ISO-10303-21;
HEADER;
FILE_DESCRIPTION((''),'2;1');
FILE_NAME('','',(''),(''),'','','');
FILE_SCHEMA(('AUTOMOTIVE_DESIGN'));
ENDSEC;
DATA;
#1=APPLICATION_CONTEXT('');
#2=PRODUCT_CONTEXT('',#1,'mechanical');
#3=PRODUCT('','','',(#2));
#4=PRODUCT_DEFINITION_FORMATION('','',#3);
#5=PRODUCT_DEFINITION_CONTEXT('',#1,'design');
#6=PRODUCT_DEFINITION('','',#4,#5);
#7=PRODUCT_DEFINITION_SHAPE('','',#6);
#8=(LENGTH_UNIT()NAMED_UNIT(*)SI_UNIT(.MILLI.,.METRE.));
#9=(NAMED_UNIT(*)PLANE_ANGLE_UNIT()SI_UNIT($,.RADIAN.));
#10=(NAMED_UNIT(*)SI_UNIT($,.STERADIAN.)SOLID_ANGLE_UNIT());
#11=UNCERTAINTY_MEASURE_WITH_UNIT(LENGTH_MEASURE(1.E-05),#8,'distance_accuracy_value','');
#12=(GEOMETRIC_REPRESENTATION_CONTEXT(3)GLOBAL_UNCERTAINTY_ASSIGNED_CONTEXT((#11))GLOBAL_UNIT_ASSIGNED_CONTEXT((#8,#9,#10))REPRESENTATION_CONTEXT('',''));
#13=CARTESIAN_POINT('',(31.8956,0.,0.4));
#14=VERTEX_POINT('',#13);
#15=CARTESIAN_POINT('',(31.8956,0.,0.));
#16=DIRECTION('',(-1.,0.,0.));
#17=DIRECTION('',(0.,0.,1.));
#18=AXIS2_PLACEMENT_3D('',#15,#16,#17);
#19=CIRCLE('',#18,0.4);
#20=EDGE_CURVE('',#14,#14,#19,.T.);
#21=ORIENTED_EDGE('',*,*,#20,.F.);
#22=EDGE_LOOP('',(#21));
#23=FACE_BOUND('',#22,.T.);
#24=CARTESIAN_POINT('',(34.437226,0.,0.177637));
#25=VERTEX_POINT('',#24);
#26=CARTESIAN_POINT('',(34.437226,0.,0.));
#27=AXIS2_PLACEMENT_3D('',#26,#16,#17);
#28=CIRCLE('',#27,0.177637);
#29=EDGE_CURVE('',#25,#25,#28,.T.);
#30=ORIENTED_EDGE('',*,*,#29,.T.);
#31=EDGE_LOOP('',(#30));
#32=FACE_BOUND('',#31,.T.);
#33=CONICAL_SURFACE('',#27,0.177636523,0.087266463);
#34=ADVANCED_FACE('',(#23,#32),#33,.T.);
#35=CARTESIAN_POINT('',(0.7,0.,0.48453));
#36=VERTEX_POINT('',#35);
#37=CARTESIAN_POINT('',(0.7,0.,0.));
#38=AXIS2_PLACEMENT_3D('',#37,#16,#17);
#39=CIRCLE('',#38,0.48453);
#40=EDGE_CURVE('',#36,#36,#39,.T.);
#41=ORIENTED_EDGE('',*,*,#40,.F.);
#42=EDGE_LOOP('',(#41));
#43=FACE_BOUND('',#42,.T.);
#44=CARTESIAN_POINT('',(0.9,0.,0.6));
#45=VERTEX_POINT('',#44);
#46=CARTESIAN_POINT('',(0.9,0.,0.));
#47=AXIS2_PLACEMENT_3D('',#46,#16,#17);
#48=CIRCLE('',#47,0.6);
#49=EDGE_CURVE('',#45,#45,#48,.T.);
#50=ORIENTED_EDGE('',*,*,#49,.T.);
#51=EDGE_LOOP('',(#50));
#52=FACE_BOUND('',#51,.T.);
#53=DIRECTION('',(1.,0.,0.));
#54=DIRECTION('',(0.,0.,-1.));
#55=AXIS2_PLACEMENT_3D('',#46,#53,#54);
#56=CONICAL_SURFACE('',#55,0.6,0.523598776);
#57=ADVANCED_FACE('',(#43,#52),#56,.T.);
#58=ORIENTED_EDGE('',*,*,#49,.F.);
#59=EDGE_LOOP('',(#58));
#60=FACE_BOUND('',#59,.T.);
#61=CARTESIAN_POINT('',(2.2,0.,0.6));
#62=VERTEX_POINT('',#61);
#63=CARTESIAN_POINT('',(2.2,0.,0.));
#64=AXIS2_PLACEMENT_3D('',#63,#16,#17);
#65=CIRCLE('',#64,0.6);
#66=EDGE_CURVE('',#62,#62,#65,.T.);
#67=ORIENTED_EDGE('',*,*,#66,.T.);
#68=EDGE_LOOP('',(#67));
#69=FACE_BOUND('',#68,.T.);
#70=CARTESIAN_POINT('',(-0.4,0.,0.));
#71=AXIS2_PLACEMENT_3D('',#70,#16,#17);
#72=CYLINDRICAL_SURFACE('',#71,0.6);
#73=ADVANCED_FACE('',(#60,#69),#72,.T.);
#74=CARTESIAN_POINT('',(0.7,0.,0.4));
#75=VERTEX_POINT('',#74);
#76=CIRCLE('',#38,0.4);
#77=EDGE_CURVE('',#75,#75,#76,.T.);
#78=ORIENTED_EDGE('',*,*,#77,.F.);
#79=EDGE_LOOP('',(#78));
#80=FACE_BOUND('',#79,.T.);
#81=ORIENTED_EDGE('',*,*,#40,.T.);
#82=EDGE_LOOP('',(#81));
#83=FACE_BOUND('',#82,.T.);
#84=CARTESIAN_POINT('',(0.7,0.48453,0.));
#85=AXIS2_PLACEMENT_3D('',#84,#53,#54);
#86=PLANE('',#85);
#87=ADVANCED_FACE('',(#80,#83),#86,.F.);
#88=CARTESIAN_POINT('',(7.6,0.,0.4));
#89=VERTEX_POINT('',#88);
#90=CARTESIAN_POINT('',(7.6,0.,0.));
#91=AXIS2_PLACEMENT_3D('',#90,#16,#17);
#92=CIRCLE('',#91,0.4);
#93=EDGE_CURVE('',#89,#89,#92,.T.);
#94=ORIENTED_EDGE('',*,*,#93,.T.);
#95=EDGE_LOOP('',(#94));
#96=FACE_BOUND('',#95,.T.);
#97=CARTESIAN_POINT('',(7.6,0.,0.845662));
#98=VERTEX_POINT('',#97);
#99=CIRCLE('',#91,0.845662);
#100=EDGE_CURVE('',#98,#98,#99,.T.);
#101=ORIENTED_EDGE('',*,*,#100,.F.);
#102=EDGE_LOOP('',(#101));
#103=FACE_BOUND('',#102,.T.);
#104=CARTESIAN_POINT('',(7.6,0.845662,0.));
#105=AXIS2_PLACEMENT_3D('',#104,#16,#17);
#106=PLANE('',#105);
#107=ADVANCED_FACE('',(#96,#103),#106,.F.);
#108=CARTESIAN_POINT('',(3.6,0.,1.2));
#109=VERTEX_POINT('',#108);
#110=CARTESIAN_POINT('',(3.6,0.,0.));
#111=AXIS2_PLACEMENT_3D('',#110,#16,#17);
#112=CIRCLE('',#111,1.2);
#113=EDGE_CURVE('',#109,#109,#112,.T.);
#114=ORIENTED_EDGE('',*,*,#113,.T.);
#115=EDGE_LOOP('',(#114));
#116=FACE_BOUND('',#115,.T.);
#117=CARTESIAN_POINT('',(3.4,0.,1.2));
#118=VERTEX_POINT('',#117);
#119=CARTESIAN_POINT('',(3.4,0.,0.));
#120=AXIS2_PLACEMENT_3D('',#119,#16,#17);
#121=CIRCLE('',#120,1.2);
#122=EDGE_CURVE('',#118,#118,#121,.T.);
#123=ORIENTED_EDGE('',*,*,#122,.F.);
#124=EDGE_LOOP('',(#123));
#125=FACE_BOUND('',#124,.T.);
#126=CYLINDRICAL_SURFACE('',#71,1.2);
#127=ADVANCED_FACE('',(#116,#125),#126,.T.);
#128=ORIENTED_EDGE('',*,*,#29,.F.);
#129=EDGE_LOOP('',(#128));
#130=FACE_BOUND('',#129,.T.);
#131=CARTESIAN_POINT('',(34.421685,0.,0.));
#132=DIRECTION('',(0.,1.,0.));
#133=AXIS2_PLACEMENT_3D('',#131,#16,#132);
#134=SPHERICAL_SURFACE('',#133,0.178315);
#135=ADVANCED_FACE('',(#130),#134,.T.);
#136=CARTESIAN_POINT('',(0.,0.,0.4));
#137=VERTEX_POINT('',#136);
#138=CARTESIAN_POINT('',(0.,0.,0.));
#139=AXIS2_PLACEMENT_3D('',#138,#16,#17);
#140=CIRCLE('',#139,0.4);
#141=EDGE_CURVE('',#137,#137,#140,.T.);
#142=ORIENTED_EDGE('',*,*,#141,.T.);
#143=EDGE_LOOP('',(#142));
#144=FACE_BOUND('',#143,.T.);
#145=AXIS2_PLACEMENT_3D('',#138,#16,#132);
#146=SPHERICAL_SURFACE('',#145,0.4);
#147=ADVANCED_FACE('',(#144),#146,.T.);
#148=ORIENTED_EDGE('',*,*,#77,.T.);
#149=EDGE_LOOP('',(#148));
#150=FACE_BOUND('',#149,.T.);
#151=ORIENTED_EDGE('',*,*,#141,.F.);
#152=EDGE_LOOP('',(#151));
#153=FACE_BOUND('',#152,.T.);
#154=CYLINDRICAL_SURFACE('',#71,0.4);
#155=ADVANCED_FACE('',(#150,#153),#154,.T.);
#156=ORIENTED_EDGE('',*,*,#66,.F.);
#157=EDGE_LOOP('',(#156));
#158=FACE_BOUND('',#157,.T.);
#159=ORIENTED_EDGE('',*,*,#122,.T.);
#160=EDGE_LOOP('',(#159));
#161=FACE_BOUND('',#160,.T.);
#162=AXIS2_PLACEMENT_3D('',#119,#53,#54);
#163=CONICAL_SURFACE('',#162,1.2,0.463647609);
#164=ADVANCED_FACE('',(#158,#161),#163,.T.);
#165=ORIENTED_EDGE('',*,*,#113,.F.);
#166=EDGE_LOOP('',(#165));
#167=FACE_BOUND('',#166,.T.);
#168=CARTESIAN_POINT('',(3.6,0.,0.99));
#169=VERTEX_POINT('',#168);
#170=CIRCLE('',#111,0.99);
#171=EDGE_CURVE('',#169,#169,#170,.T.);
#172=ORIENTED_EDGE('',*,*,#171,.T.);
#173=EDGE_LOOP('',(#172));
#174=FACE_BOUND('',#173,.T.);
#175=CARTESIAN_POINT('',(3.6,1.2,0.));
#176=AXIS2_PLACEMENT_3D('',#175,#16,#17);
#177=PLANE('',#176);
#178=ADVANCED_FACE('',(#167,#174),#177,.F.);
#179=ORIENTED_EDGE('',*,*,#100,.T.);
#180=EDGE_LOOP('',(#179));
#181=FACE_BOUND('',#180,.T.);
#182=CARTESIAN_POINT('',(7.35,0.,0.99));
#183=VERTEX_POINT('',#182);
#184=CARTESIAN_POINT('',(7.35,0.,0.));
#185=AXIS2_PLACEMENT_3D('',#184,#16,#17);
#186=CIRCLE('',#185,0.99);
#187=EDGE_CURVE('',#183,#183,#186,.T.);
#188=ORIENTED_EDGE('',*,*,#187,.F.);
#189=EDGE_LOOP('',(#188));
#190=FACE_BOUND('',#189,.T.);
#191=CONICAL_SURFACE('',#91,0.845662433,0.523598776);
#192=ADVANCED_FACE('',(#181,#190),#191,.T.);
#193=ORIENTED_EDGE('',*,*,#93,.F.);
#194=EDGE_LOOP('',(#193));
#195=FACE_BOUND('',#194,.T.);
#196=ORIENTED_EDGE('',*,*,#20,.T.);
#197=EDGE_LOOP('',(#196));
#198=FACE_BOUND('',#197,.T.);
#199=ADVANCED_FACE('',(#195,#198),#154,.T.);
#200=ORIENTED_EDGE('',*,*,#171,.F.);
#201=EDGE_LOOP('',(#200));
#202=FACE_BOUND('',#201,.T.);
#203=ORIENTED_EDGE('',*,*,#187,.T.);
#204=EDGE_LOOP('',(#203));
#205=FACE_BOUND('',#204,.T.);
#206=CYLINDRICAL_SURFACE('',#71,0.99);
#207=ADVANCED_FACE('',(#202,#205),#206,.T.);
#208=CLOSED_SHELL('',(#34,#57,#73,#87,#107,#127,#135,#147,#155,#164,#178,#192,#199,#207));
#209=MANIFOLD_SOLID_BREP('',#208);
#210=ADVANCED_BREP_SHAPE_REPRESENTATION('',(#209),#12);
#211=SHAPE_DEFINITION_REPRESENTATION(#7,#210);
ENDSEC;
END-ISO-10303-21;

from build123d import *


with BuildPart() as part:
    # Esboço1 → Revolução1 (revolve)
    with BuildSketch(Plane.XY, mode=Mode.PRIVATE) as revolu_o1_sk:
        with BuildLine():
            Line((0, 0.4), (0.7, 0.4))
            Line((0.7, 0.4), (0.7, 0.484529946))
            Line((0.7, 0.484529946), (0.9, 0.6))
            Line((0.9, 0.6), (2.2, 0.6))
            Line((2.2, 0.6), (3.4, 1.2))
            Line((3.4, 1.2), (3.6, 1.2))
            Line((3.6, 1.2), (3.6, 0.99))
            Line((3.6, 0.99), (7.35, 0.99))
            Line((7.35, 0.99), (7.6, 0.845662433))
            Line((7.6, 0.845662433), (7.6, 0.4))
            Line((7.6, 0.4), (31.895599944, 0.4))
            Line((31.895599944, 0.4), (34.437226116, 0.177636523))
            ThreePointArc((34.437226116, 0.177636523), (34.553152591, 0.120467912), (34.6, 0))
            Line((34.6, 0), (-0.4, 0))
            ThreePointArc((-0.4, 0), (-0.282842712, 0.282842712), (0, 0.4))
        make_face()
    revolve(revolu_o1_sk.sketch.rotate(Axis((-0.4, 0, 0), (1, 0, 0)), 90), axis=Axis((-0.4, 0, 0), (1, 0, 0)))


solid = part.part
